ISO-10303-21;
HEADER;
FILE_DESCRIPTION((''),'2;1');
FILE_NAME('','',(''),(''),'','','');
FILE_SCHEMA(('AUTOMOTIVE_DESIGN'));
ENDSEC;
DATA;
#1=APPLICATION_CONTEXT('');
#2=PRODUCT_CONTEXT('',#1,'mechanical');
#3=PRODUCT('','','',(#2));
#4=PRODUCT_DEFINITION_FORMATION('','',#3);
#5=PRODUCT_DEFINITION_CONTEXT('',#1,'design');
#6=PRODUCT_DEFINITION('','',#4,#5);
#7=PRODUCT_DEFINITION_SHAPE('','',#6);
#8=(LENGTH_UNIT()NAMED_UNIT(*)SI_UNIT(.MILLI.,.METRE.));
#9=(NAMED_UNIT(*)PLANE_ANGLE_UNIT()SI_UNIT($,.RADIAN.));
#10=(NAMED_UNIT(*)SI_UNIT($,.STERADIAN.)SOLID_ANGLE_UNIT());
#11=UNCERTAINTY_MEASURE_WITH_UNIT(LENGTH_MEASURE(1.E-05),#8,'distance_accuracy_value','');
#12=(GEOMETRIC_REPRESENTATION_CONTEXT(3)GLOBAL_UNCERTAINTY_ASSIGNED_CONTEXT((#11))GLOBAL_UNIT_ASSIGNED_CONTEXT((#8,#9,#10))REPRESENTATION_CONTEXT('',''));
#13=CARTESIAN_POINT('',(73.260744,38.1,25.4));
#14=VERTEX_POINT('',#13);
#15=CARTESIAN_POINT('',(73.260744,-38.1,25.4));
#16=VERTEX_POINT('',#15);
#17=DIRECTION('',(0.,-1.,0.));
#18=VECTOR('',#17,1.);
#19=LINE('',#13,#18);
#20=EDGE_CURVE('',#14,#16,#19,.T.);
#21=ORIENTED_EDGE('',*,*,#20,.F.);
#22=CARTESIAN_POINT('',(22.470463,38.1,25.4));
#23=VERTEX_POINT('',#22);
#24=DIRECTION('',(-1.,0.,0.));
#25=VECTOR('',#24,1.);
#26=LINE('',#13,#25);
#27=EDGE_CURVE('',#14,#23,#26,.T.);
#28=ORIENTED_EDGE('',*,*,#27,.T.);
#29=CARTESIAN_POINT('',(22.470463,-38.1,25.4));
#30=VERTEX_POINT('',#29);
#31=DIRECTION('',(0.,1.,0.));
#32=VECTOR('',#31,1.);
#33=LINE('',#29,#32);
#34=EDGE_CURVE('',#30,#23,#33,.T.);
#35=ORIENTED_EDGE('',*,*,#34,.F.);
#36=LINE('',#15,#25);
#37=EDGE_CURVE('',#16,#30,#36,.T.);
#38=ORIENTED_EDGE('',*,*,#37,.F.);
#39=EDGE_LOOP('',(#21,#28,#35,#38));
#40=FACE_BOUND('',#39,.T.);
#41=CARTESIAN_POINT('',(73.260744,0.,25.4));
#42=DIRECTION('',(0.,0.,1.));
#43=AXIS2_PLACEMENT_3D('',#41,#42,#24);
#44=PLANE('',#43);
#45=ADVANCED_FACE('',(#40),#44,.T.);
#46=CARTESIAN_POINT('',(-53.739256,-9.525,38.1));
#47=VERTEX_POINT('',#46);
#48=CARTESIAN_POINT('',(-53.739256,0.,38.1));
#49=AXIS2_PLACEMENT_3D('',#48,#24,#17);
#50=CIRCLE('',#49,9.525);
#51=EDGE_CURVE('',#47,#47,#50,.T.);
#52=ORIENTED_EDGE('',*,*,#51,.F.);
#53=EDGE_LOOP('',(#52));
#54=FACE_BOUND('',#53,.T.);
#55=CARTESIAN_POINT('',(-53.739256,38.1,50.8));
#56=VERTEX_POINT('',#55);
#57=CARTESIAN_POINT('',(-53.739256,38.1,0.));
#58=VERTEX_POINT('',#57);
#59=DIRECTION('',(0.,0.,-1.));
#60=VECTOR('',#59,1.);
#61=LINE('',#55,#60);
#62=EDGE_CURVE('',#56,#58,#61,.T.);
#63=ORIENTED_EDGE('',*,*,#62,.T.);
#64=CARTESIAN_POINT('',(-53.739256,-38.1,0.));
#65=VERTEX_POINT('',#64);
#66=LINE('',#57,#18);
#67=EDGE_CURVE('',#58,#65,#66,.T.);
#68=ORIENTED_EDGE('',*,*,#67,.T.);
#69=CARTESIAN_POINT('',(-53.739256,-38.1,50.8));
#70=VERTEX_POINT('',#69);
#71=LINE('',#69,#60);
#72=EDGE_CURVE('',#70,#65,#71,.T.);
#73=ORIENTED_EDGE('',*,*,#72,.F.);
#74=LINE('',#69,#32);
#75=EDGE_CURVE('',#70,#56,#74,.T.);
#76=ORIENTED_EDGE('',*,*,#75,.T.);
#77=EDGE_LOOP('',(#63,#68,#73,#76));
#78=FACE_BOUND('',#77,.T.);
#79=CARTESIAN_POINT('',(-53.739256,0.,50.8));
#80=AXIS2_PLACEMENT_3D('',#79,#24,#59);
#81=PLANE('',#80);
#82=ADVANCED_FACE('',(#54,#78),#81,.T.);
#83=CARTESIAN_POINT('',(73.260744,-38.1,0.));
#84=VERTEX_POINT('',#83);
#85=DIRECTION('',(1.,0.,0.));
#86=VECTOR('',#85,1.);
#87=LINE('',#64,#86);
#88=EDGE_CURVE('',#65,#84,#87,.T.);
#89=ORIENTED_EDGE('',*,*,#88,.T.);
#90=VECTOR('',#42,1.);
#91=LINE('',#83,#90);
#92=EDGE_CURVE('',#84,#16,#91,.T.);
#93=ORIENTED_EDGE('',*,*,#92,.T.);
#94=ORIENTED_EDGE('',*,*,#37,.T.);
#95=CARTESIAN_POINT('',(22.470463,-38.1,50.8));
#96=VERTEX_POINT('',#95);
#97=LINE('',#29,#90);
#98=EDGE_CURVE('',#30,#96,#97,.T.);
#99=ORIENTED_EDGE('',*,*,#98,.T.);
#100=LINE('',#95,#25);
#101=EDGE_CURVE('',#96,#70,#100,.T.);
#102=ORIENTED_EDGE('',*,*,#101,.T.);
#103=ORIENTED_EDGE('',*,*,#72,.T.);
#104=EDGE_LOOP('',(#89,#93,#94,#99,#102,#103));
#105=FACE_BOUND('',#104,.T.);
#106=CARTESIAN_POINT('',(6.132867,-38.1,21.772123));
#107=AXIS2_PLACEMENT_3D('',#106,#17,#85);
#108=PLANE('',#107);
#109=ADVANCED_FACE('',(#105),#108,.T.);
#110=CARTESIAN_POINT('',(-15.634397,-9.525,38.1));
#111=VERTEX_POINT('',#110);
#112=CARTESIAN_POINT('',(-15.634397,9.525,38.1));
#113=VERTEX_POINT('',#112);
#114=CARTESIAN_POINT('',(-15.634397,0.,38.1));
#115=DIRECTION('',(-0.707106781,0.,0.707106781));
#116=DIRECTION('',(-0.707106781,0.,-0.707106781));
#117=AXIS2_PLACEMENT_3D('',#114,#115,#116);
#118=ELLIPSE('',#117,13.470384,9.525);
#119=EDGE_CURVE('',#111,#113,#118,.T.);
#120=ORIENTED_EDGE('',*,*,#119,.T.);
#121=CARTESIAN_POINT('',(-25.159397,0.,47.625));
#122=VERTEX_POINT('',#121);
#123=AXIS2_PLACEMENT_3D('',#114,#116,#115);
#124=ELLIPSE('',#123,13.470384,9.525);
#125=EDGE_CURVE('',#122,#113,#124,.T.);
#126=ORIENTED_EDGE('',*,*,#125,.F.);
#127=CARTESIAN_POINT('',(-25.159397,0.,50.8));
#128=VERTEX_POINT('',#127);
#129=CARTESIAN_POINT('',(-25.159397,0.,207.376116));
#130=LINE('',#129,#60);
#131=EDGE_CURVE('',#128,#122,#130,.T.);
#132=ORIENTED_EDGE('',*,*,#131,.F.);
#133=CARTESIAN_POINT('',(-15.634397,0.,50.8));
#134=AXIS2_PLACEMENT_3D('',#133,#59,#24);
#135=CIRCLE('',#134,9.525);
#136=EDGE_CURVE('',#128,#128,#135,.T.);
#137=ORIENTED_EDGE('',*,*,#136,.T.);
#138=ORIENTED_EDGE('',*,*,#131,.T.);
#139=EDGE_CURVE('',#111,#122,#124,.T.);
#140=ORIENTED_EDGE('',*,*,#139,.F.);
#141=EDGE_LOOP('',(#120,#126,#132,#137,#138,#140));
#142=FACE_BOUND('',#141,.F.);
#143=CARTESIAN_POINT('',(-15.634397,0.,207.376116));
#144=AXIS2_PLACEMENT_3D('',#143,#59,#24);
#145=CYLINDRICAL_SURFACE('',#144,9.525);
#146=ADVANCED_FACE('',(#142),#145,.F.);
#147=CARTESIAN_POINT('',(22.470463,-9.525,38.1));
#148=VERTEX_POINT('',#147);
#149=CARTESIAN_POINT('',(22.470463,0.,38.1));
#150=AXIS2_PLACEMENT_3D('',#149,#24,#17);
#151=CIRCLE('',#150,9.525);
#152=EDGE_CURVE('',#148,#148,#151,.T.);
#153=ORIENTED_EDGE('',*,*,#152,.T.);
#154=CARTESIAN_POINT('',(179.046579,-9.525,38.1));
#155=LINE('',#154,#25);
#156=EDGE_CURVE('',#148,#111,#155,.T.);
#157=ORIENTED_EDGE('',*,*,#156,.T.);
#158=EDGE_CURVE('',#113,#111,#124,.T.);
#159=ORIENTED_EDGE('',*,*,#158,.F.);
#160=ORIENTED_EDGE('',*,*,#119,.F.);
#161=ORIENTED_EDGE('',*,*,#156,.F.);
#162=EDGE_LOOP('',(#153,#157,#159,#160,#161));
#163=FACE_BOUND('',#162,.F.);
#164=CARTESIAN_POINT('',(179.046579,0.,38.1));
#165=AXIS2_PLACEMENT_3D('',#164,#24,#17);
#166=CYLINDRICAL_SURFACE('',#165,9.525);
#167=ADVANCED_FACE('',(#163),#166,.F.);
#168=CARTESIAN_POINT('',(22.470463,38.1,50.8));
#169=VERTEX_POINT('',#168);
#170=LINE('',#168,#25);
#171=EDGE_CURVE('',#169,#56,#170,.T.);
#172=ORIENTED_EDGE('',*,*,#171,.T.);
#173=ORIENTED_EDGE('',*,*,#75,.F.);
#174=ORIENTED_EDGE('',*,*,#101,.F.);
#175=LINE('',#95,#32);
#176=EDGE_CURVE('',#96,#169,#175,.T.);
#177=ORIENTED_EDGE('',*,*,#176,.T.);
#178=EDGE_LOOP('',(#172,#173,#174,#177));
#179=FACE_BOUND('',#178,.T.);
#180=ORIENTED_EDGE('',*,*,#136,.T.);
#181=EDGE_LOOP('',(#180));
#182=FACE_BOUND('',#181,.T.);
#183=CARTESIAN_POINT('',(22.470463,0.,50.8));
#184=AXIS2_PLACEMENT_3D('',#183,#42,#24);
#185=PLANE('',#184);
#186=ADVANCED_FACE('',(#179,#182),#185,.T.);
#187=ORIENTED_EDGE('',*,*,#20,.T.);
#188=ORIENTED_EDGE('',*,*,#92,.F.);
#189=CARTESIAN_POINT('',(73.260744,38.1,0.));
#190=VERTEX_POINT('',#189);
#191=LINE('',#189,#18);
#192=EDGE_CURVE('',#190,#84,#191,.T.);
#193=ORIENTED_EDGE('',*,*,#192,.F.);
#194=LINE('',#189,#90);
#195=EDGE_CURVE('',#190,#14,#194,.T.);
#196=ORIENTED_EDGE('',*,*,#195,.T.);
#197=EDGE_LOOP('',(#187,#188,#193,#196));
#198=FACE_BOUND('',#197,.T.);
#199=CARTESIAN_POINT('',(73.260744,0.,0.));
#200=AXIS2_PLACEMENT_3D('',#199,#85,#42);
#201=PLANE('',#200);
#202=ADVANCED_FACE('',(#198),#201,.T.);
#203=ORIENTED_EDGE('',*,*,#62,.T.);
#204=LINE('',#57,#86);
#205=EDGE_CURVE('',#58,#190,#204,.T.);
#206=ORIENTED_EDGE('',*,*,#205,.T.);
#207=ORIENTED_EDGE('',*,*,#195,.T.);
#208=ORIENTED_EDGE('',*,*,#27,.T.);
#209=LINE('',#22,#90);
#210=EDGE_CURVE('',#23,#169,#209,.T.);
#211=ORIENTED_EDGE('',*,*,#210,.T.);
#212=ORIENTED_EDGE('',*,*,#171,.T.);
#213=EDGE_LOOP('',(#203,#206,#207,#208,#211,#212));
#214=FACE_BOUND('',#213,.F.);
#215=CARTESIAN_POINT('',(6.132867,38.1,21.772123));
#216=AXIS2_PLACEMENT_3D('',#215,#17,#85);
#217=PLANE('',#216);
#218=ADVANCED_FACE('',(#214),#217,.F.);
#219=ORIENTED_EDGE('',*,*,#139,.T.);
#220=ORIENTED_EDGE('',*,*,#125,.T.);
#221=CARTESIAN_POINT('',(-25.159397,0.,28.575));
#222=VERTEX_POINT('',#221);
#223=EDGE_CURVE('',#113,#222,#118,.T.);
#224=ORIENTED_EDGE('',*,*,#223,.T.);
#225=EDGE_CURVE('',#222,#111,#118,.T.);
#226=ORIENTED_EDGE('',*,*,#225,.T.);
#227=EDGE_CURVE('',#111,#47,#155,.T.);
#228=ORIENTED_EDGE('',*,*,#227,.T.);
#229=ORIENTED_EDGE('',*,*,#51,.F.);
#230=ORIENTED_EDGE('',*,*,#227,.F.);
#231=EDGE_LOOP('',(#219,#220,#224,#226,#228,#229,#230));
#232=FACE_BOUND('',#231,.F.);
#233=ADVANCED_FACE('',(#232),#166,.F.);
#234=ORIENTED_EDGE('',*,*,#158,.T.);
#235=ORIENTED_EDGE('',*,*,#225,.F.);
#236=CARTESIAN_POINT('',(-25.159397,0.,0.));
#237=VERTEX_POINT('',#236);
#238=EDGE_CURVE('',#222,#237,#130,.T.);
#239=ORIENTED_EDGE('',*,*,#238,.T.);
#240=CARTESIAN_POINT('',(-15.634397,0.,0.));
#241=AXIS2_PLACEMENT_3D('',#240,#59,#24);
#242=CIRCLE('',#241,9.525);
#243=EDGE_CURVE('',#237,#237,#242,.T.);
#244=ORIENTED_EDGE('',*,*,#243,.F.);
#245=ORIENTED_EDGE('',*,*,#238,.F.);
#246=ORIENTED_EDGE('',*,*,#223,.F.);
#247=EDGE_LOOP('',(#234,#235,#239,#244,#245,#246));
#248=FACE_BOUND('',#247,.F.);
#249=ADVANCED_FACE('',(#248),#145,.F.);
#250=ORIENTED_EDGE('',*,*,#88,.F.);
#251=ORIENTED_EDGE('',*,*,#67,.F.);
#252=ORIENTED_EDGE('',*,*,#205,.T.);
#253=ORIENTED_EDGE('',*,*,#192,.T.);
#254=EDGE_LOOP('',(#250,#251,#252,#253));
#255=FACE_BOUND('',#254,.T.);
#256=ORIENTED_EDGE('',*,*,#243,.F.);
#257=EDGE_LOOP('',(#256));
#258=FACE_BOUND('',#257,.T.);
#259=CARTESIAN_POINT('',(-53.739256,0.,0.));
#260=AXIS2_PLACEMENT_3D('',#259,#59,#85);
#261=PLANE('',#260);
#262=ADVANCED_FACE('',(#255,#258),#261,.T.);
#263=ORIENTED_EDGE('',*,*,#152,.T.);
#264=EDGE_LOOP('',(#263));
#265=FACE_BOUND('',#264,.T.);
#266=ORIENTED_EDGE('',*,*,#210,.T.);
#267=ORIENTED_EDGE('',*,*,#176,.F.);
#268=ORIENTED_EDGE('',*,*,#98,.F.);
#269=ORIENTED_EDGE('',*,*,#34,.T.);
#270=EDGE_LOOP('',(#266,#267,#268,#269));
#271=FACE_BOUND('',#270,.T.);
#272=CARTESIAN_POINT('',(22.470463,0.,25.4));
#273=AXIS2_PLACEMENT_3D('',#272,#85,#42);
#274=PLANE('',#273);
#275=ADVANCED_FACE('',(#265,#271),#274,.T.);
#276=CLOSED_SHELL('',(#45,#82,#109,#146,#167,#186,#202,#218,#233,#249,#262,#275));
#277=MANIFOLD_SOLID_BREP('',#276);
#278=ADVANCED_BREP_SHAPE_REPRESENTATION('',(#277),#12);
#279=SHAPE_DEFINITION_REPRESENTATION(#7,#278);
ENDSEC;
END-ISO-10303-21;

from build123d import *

# Parameters (mm, degrees)
F1_DEPTH = 38.1
F3_D     = 19.05
F5_D     = 19.05


with BuildPart() as f1:
    # F0 (on Front) → F1 (new body, symmetric)
    with BuildSketch(Plane.XZ):
        Polygon((-53.739256, 50.8), (-53.739256, 0), (73.260744, 0), (73.260744, 25.4), (22.470463, 25.4), (22.470463, 50.8), align=None)
    extrude(amount=F1_DEPTH, both=True)

    # F3 (through all)
    with Locations(Plane.YZ.offset(22.470463)):
        with Locations((0, 38.1)):
            Hole(F3_D / 2)

    # F5 (through all)
    with Locations(Plane.XY.offset(50.8)):
        with Locations((-15.634397, 0)):
            Hole(F5_D / 2)


solid = f1.part
